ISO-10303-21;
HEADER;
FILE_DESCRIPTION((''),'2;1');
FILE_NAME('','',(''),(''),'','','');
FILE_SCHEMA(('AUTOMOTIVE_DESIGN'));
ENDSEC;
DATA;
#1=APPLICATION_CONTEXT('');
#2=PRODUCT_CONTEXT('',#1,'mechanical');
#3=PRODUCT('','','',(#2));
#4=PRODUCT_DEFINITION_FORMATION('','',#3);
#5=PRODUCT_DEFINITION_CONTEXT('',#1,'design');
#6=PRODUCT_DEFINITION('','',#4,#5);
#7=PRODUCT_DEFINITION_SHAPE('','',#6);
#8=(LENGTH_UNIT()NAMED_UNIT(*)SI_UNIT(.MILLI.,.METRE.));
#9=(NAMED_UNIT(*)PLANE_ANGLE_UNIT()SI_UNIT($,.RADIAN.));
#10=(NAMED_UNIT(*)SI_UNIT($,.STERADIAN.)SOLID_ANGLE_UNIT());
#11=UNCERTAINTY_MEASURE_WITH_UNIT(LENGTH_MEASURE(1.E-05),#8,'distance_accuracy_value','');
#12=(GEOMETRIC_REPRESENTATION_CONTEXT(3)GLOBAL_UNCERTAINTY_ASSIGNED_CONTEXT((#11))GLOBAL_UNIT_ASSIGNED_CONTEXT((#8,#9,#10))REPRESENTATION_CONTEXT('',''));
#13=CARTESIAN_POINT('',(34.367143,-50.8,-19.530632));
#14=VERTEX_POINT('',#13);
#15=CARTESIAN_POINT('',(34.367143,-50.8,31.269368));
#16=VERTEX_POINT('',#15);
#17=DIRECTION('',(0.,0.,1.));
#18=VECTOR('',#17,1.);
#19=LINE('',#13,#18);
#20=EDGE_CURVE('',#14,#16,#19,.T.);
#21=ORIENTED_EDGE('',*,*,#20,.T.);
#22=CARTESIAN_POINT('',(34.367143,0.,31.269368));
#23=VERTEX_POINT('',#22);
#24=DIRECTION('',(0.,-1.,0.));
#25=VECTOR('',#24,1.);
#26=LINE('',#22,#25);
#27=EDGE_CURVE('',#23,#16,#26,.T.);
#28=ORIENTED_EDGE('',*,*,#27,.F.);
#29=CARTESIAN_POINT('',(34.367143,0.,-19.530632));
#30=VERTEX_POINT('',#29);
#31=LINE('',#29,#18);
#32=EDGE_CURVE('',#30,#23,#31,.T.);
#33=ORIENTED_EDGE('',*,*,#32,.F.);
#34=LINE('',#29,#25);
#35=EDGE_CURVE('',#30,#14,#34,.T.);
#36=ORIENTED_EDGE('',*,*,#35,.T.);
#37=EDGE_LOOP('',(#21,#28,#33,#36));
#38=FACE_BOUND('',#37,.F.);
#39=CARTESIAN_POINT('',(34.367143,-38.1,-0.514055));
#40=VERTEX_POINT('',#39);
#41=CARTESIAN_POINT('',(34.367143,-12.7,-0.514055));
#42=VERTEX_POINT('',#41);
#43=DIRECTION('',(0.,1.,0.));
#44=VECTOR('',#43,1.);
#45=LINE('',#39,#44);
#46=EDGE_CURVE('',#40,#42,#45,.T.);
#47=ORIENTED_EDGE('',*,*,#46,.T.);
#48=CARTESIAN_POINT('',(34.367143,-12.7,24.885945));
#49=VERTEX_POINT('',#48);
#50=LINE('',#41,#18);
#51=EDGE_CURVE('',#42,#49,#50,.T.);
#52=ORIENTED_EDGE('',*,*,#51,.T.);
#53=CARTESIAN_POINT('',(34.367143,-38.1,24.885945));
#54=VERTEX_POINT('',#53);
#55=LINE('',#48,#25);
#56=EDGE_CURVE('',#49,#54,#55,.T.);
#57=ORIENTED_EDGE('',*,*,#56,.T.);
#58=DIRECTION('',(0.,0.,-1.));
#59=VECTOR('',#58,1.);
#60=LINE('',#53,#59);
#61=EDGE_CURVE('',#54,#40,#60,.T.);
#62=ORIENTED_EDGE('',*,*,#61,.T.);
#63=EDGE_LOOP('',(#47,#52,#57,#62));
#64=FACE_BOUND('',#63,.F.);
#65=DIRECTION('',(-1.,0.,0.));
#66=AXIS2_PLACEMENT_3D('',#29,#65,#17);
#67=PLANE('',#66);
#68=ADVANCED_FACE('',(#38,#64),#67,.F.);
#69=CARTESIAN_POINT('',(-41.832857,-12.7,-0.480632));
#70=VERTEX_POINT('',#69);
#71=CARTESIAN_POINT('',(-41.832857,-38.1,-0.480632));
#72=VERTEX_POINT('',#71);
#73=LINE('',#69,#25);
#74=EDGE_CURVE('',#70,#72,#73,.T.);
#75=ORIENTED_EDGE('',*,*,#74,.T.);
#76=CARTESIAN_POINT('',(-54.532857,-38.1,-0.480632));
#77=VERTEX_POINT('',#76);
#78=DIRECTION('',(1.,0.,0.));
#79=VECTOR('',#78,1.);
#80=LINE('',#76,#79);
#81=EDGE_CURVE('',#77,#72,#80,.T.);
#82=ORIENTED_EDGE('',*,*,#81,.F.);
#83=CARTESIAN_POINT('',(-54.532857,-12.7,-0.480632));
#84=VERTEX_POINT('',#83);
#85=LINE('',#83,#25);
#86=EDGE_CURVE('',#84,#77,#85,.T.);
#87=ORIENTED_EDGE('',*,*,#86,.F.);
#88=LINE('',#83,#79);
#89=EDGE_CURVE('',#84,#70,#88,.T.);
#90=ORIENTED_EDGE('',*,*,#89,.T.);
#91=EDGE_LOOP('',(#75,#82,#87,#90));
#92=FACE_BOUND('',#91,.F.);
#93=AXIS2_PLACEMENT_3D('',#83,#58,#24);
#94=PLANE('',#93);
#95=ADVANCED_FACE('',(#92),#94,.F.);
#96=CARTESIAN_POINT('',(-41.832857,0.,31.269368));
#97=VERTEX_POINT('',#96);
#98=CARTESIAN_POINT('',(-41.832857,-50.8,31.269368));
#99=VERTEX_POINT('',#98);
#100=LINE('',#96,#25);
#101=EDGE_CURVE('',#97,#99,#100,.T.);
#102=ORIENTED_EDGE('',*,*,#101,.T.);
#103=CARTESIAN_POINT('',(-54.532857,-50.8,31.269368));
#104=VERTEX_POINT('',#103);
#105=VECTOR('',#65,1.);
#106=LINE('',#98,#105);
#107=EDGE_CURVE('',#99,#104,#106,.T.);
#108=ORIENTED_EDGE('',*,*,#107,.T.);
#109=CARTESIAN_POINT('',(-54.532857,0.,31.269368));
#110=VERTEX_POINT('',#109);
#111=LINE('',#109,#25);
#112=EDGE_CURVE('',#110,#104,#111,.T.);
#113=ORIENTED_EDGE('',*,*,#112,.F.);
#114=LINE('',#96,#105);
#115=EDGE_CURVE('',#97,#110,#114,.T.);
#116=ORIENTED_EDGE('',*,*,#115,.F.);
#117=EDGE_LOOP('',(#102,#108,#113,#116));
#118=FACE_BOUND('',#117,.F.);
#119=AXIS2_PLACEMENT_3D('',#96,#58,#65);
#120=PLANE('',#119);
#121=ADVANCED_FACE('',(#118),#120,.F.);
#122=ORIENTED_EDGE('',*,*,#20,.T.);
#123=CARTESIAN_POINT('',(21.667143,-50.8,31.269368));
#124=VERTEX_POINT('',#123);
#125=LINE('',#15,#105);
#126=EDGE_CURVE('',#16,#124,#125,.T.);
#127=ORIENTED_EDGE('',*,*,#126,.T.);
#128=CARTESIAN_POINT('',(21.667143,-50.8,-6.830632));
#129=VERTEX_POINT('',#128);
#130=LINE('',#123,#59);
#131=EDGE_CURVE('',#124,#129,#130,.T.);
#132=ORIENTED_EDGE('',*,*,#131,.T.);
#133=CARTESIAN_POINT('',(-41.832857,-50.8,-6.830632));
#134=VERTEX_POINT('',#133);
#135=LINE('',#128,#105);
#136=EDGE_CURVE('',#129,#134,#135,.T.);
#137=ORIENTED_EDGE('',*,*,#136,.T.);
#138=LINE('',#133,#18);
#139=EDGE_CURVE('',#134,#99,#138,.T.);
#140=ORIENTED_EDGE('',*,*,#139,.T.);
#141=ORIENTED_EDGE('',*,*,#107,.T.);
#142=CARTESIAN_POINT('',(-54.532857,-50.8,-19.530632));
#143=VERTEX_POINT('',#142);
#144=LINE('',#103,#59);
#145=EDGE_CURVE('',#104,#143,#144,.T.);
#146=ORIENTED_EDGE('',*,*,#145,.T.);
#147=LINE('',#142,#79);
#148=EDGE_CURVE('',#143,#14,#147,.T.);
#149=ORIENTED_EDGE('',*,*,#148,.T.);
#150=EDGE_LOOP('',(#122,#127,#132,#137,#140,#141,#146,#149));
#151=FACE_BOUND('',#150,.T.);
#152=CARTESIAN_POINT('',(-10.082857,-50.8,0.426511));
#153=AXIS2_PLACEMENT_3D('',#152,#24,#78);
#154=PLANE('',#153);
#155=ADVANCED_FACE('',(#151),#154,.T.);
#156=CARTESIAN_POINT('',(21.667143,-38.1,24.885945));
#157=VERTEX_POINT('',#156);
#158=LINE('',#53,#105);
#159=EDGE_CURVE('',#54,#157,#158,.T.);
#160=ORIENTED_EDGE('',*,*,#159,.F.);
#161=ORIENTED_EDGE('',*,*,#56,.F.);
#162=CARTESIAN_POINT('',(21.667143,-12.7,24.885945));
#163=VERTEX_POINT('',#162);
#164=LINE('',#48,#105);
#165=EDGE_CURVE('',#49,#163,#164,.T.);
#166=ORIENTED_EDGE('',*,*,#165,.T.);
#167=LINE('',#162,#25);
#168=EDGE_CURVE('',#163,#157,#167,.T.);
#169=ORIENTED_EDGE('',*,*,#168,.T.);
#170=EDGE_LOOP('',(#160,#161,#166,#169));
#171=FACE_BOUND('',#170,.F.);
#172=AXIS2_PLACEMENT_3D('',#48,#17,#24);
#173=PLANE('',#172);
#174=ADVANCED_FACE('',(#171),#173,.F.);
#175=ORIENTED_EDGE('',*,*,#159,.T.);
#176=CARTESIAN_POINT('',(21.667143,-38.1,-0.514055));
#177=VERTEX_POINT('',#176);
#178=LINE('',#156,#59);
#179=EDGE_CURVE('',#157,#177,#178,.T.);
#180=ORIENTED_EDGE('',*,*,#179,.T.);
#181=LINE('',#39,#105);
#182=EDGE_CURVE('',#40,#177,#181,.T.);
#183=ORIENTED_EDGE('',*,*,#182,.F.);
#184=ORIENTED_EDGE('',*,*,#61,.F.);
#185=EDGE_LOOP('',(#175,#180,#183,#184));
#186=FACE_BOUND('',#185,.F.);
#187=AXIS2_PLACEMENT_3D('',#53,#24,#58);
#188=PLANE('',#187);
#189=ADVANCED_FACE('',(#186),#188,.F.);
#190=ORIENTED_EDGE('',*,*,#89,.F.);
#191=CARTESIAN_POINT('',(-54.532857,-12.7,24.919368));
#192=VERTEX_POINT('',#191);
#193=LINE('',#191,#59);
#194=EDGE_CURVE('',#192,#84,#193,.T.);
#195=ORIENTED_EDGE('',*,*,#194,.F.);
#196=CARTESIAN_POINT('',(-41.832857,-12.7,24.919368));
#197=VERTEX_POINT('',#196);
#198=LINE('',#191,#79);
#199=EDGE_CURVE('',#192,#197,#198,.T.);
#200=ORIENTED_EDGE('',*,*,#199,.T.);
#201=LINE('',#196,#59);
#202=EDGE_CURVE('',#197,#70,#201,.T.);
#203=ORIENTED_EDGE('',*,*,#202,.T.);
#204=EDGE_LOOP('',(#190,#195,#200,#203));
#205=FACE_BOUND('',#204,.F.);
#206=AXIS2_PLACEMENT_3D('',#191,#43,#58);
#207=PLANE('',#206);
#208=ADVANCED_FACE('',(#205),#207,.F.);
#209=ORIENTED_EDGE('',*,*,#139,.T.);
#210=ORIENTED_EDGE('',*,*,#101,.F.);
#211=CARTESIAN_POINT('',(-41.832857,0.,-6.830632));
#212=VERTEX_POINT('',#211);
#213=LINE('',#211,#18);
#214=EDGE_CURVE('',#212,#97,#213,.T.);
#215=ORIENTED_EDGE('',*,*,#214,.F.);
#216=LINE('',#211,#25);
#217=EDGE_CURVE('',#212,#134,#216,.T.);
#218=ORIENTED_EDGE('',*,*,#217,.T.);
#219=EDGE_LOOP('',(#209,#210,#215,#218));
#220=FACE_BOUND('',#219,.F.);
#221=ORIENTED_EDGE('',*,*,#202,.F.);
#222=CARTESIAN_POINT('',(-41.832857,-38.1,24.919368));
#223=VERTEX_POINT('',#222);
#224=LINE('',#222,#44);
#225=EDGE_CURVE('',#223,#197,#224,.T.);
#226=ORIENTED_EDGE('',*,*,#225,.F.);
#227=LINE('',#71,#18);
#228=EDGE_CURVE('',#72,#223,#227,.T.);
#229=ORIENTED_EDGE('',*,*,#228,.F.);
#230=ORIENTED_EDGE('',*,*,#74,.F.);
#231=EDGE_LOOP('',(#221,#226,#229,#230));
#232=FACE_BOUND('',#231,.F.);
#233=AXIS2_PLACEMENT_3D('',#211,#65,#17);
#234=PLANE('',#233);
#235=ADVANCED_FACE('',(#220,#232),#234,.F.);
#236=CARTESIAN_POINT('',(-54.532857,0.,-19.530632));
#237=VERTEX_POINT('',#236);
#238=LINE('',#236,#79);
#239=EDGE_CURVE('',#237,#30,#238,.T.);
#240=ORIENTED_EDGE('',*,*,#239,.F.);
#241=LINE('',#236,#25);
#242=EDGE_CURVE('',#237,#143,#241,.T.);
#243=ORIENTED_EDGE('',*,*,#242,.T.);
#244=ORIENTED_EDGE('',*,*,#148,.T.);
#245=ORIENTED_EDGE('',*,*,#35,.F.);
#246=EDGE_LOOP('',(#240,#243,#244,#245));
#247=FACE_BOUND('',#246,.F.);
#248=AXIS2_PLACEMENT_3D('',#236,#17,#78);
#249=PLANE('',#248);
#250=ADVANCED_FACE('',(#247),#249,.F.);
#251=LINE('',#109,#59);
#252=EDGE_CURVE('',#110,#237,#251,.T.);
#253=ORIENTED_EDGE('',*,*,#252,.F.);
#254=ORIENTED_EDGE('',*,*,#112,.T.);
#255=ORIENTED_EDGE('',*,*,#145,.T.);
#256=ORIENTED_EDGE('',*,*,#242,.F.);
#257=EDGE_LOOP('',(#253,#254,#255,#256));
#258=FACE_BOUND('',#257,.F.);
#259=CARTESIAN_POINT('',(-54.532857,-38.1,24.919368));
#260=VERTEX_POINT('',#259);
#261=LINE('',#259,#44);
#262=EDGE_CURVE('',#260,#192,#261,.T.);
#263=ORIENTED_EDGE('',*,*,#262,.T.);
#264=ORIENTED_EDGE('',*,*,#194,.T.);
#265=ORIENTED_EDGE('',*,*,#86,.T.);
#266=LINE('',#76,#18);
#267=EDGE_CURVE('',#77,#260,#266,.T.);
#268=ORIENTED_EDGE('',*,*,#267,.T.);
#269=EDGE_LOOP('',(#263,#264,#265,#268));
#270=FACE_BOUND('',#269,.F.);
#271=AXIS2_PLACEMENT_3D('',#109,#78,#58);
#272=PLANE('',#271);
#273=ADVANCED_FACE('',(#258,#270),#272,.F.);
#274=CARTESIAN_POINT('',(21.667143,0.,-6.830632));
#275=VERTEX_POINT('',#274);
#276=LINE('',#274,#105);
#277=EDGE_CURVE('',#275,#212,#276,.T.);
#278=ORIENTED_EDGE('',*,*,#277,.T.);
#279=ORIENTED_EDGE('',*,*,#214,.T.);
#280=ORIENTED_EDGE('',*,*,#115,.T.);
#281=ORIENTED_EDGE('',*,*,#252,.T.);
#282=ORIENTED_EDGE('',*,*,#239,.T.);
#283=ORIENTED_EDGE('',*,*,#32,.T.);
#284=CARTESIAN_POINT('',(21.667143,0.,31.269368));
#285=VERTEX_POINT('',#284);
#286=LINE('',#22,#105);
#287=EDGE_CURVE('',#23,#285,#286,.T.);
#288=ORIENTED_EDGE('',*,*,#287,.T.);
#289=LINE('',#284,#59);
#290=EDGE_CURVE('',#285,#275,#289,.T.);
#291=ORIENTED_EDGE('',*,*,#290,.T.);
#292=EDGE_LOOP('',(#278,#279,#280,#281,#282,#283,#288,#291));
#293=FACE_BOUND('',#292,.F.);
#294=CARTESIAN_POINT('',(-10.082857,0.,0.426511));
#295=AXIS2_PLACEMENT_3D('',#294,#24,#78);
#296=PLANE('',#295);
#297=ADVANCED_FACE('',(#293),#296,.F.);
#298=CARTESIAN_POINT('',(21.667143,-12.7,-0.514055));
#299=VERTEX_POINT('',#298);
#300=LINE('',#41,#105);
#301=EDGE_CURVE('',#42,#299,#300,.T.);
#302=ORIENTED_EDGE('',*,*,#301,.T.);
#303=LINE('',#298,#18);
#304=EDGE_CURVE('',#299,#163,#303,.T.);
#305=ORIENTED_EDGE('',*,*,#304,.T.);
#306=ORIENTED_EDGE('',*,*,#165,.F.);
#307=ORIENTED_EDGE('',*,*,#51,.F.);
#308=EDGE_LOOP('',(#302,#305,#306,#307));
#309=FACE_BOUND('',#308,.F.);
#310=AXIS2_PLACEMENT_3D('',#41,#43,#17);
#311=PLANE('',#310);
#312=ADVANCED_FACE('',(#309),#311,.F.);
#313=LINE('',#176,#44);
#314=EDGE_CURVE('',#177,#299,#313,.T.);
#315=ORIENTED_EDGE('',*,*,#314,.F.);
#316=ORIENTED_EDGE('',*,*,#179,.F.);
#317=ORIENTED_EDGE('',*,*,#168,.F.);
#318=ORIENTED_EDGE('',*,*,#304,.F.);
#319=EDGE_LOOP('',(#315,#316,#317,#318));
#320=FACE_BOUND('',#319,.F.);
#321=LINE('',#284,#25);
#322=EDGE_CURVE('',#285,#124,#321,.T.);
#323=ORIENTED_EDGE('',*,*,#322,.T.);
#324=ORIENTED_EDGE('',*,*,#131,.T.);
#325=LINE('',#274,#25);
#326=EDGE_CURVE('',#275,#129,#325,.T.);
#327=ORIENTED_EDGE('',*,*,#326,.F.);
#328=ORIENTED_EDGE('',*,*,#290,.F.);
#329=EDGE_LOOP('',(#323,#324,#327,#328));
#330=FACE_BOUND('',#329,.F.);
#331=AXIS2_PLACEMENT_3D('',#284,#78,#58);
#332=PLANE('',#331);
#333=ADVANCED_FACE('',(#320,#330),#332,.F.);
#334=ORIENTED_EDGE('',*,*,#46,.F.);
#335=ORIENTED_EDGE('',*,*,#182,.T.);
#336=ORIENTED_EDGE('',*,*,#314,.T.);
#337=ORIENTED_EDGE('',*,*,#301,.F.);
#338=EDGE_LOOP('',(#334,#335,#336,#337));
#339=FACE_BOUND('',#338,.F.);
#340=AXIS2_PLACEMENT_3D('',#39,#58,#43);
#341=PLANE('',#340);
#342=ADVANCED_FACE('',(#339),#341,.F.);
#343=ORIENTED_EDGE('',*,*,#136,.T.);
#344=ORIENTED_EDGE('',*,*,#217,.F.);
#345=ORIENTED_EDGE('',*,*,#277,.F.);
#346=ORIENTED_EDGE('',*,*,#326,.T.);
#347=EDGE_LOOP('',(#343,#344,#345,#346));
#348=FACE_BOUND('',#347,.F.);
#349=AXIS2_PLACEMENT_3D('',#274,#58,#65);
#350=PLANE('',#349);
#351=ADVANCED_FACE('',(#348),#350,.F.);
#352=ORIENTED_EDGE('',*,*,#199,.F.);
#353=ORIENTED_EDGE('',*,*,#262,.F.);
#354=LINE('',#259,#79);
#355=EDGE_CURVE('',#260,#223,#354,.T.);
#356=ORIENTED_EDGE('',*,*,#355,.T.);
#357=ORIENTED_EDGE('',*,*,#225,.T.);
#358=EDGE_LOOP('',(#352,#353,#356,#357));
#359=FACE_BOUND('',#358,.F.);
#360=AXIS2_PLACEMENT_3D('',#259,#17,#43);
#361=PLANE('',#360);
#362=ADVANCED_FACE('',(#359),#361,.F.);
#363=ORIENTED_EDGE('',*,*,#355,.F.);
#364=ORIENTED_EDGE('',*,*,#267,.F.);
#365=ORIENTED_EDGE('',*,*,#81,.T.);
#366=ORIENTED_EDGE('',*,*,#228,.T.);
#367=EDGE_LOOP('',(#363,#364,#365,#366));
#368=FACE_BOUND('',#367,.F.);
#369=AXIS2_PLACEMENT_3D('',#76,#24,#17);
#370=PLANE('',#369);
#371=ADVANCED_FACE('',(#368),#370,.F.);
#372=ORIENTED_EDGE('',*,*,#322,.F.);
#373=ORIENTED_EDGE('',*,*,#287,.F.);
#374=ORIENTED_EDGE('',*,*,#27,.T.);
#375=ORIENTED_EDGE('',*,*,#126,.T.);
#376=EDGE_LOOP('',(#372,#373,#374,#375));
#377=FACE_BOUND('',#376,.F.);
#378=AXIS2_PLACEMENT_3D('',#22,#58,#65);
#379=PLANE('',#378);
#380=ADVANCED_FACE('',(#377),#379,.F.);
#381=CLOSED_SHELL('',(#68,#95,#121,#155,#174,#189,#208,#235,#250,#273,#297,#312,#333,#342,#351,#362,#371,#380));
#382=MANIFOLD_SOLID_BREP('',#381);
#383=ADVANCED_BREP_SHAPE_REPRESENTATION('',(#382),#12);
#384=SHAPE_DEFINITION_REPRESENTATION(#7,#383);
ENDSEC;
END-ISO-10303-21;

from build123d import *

# Parameters (mm, degrees)
F1_DEPTH = 50.8
F3_DEPTH = 12.7
F5_DEPTH = 12.7


with BuildPart() as f1:
    # F0 (on Front) → F1 (new body)
    with BuildSketch(Plane.XZ):
        Polygon((34.367143, 31.269368), (21.667143, 31.269368), (21.667143, -6.830632), (-41.832857, -6.830632), (-41.832857, 31.269368), (-54.532857, 31.269368), (-54.532857, -19.530632), (34.367143, -19.530632), align=None)
    extrude(amount=F1_DEPTH)

    # F2 (on face) → F3 (cut)
    with BuildSketch(Plane.YZ.offset(34.367143)):
        Polygon((-12.7, 24.885945), (-38.1, 24.885945), (-38.1, 13.350924), (-38.1, -0.514055), (-23.613039, -0.514055), (-12.7, -0.514055), align=None)
    extrude(amount=-F3_DEPTH, mode=Mode.SUBTRACT)

    # F4 (on face) → F5 (cut)
    with BuildSketch(Plane(origin=(-54.532857, 0, 0), x_dir=(0, -1, 0), z_dir=(-1, 0, 0))):
        Polygon((38.1, 24.919368), (12.7, 24.919368), (12.7, 9.009295), (12.7, -0.480632), (25.4, -0.480632), (38.1, -0.480632), align=None)
    extrude(amount=-F5_DEPTH, mode=Mode.SUBTRACT)


solid = f1.part
